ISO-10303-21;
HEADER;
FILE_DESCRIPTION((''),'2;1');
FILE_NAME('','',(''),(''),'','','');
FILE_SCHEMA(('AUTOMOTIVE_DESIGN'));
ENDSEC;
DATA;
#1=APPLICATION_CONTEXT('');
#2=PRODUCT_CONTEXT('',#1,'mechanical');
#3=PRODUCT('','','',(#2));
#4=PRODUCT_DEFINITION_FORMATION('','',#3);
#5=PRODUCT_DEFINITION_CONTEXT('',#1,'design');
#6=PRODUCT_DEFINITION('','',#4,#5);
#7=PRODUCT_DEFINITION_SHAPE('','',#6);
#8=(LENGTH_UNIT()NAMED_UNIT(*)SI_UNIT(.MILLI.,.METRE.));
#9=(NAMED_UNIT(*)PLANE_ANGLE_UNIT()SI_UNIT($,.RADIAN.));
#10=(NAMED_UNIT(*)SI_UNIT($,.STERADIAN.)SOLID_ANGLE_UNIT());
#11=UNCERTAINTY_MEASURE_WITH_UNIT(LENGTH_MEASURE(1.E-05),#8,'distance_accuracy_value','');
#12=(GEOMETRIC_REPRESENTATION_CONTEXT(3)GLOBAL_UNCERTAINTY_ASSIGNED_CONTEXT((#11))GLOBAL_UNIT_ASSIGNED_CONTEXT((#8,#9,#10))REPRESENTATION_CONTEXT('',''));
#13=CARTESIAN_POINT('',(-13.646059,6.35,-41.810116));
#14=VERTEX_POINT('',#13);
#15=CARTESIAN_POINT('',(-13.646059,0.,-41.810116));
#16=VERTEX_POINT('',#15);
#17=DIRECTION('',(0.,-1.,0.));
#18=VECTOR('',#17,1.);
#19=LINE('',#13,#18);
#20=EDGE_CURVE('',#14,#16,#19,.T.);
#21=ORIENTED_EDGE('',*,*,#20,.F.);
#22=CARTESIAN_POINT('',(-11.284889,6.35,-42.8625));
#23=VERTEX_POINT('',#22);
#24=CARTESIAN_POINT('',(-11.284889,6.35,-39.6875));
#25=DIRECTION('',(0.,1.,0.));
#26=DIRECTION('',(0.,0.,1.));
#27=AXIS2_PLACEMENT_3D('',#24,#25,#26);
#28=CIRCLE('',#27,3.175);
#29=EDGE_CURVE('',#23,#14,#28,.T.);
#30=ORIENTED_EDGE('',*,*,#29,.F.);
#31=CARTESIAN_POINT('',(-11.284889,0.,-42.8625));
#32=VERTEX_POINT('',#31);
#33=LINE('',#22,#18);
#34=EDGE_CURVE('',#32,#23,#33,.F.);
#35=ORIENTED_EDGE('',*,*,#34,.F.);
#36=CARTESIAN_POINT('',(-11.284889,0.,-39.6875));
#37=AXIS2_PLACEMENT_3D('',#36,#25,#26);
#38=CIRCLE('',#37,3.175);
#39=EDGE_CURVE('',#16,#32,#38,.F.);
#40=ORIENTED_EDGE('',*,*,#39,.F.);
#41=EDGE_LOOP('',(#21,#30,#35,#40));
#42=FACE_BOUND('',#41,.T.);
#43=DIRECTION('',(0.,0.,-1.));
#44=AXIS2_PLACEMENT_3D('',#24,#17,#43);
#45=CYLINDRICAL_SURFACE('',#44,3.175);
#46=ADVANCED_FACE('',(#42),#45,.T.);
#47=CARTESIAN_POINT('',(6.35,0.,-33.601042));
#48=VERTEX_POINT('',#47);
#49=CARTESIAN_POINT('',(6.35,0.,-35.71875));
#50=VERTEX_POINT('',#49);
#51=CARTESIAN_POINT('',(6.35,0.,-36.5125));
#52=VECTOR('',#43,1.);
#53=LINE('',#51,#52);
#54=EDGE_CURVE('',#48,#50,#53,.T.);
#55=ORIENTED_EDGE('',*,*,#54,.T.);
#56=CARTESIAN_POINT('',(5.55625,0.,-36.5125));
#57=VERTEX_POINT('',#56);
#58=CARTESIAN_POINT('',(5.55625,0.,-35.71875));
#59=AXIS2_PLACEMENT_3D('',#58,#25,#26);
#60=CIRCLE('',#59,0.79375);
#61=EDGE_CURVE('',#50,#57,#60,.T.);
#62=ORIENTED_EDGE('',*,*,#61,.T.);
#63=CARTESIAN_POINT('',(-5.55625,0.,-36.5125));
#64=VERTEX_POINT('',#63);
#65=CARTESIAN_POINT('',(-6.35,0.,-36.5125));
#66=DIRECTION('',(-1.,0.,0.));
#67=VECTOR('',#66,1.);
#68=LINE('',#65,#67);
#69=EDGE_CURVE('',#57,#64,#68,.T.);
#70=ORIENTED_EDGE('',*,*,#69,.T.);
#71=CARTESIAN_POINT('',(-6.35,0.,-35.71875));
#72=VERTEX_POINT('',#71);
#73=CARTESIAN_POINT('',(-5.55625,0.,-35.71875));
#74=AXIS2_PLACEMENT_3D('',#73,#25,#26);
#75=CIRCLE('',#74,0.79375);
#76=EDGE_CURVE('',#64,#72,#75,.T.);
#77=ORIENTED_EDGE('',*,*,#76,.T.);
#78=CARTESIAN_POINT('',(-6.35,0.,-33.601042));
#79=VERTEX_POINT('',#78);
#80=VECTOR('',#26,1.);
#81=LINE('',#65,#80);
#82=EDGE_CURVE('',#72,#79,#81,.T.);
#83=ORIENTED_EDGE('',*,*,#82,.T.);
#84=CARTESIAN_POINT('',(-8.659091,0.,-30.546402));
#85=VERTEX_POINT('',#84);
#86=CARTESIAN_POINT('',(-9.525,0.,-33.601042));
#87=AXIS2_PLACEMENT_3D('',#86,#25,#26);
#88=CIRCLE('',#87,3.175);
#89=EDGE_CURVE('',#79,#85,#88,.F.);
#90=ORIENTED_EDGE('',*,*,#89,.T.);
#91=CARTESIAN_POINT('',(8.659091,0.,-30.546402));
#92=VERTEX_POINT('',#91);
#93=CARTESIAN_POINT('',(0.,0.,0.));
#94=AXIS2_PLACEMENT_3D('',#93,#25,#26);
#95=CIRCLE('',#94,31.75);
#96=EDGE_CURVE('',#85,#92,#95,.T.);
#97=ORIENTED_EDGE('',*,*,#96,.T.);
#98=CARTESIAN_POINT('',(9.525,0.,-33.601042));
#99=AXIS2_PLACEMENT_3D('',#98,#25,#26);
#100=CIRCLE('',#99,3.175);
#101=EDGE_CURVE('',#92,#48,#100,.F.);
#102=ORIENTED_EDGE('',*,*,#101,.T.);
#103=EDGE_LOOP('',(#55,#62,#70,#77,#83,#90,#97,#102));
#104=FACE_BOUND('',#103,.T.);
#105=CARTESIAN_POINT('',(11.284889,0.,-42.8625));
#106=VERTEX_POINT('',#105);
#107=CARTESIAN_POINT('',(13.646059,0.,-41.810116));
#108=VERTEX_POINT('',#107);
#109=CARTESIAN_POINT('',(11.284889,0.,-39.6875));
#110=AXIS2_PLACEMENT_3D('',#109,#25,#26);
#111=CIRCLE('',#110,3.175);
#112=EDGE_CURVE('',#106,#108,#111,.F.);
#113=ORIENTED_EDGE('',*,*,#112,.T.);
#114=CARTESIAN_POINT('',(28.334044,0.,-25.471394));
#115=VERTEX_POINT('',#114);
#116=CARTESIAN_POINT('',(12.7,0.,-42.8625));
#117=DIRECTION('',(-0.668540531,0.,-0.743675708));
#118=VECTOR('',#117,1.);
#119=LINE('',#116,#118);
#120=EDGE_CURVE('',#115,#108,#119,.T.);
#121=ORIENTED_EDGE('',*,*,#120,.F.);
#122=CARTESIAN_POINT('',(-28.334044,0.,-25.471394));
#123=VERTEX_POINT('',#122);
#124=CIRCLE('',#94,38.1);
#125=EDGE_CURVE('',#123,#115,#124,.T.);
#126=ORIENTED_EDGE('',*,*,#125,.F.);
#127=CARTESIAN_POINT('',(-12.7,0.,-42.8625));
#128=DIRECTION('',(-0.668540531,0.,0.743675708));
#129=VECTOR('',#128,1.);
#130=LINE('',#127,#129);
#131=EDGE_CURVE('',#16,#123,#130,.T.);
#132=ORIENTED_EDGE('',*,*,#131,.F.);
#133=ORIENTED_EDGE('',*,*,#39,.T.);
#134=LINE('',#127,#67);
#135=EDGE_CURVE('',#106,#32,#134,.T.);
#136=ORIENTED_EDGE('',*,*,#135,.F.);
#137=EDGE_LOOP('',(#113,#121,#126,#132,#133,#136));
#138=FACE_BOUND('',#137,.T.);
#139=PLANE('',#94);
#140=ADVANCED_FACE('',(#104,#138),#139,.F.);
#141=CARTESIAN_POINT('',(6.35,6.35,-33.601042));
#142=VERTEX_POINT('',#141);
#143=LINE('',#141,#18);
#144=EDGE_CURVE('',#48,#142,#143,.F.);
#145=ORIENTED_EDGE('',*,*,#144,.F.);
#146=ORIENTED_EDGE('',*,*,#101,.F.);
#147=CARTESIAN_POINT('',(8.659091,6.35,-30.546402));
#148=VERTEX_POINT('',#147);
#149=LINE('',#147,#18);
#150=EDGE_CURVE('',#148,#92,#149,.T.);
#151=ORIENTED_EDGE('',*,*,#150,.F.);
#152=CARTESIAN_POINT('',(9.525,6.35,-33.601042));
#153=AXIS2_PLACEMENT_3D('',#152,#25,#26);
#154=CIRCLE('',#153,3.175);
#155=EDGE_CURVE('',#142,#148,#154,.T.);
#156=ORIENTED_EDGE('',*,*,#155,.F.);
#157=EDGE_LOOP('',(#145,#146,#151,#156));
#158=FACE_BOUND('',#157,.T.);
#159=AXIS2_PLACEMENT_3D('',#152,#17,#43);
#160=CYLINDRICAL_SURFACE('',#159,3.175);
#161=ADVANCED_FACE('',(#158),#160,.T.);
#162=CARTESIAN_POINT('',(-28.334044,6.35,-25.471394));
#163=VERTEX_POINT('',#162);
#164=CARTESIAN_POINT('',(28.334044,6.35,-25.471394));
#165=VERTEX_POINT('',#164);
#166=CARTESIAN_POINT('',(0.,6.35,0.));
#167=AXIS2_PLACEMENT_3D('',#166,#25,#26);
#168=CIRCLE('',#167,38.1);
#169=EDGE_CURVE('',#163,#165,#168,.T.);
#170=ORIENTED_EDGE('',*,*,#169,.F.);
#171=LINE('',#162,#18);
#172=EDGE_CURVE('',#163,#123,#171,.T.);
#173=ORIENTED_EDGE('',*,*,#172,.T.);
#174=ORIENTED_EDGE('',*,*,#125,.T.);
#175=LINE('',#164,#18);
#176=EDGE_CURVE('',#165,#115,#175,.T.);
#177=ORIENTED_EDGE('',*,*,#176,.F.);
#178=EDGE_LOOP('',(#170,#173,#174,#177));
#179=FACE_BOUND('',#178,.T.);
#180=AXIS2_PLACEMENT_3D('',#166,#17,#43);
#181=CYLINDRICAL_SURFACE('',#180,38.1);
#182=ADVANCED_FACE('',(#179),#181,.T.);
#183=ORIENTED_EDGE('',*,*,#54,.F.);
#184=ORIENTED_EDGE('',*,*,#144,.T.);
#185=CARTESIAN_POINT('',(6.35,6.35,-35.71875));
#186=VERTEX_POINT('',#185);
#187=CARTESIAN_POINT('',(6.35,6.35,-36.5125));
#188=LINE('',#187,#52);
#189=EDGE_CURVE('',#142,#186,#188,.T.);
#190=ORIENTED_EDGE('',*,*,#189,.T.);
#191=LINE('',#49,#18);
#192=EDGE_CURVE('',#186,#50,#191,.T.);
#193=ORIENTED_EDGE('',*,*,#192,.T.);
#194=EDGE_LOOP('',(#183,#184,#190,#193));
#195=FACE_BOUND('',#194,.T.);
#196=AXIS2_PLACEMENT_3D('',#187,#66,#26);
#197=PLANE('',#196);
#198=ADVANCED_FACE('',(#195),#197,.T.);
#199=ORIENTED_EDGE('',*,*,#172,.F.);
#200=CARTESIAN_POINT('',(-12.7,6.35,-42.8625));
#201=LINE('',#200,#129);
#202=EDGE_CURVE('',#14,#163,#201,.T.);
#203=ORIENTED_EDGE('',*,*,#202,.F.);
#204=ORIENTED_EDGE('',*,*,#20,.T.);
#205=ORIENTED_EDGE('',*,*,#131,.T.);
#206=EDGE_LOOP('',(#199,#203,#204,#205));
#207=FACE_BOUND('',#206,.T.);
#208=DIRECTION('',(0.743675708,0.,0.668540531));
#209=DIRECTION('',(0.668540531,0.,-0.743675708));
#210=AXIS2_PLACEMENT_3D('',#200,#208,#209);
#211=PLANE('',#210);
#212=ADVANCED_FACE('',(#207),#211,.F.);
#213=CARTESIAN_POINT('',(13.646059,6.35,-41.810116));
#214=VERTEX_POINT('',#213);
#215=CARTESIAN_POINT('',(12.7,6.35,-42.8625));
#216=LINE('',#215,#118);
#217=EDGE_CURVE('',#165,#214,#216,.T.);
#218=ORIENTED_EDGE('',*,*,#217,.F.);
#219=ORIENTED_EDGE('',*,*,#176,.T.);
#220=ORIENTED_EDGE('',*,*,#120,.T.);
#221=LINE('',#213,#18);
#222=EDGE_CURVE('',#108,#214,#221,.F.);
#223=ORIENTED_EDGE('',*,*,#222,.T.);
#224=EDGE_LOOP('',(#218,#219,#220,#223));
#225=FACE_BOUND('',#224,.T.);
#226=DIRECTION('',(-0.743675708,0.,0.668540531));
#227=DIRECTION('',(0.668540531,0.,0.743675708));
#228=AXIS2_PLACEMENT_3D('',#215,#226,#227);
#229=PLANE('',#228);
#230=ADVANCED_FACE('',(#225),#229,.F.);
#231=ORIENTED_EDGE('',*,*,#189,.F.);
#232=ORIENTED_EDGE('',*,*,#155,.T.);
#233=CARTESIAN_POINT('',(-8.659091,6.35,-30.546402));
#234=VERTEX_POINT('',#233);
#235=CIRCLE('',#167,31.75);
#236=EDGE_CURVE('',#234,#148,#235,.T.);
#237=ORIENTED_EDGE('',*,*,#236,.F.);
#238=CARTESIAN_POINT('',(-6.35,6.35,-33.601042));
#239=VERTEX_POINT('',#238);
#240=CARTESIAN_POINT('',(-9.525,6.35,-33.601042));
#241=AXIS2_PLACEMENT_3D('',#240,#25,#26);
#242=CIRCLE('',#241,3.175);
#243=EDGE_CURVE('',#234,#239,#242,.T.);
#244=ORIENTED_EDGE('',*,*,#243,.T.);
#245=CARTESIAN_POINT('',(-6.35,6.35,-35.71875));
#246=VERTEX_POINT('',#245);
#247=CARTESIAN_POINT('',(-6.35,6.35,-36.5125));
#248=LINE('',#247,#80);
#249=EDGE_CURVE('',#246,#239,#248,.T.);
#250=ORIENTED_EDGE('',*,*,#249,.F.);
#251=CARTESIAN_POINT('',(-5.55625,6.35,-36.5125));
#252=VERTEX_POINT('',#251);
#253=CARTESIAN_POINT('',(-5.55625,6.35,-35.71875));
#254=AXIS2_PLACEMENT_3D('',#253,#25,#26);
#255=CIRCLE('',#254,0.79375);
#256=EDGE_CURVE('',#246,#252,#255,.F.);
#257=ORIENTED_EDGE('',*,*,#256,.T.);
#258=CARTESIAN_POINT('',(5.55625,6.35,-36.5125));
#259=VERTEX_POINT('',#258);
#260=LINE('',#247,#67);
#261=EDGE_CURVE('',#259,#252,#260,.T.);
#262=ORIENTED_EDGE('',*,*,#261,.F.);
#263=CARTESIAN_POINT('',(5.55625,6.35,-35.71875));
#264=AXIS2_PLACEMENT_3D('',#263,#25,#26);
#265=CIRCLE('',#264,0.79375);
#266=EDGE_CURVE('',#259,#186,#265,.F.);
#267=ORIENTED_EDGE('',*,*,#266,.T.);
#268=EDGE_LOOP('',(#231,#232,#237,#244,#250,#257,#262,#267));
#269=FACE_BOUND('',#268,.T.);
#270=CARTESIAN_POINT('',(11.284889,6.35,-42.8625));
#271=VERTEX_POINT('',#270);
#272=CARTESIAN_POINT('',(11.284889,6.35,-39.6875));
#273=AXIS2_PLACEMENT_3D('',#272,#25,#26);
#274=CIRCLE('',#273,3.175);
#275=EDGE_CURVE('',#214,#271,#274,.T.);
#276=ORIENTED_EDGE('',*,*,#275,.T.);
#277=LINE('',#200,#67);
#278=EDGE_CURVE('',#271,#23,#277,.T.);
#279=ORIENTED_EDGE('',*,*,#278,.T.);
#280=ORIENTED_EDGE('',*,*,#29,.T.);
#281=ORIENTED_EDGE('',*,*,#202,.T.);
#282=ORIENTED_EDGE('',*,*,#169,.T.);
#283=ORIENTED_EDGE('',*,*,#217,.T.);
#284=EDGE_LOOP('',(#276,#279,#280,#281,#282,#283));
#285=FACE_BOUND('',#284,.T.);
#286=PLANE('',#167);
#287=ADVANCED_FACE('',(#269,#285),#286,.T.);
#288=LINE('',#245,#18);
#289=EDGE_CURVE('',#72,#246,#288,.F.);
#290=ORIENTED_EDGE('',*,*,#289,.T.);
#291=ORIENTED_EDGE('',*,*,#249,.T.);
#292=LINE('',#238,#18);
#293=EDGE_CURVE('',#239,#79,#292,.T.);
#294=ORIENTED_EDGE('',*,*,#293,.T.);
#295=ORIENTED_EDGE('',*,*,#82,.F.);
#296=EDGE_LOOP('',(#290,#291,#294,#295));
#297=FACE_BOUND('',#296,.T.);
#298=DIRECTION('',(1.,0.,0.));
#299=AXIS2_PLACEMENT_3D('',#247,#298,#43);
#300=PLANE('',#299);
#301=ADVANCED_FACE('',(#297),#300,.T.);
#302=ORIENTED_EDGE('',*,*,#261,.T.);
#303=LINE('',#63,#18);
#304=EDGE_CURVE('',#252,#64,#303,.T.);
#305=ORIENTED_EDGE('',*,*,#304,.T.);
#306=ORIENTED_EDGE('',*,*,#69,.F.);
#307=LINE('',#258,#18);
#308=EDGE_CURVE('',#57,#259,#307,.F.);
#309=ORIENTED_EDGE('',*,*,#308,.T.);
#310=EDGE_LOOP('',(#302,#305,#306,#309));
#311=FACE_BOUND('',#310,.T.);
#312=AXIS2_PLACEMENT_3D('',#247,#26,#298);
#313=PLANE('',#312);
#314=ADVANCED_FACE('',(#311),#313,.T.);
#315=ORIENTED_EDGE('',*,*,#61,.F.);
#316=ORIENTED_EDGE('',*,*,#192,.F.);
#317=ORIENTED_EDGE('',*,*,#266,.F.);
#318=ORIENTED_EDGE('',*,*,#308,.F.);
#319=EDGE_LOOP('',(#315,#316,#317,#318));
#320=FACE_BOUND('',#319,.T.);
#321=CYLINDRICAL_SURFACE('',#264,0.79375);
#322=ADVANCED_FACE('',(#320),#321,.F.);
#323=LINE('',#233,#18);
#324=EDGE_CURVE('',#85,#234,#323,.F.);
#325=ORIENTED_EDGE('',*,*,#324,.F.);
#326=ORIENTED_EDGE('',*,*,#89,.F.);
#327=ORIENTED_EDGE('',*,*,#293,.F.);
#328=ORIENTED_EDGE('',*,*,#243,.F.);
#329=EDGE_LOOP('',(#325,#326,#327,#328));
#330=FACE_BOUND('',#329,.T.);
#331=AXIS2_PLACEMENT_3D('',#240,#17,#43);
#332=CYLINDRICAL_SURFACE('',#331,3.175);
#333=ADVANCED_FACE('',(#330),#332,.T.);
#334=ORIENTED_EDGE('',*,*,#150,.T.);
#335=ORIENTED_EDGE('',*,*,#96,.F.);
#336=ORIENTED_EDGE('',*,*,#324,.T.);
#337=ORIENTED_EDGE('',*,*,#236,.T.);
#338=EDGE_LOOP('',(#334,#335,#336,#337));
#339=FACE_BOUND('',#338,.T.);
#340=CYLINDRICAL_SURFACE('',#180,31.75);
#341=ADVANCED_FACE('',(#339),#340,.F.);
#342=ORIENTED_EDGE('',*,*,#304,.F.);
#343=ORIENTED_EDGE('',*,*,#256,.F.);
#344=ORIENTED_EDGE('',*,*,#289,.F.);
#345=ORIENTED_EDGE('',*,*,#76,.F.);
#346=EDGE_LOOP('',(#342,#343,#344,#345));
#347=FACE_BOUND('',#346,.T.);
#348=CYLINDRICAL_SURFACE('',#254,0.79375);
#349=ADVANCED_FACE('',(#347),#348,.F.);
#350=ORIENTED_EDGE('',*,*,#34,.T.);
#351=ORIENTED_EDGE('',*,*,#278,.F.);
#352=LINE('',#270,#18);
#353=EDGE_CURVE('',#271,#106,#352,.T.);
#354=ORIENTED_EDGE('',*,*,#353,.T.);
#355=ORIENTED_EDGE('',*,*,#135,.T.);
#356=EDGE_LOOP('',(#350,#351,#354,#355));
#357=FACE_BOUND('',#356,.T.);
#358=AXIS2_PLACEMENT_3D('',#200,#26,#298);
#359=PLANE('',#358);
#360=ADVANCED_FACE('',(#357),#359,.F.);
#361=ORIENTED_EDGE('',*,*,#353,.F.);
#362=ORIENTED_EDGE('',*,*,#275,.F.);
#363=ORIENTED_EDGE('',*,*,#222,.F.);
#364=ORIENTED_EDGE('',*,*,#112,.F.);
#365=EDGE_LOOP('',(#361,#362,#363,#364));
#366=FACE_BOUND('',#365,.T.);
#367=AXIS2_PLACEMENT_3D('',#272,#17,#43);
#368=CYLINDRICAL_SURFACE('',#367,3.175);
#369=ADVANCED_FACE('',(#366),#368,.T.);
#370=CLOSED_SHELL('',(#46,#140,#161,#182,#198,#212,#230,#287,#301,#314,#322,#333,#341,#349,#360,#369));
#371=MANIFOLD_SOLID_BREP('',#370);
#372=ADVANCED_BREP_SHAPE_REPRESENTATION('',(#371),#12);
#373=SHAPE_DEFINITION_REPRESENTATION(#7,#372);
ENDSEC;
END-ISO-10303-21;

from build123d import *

# Parameters (mm, degrees)
BOSS_EXTRUDE1_DEPTH = 6.35
FILLET1_R           = 0.79375
FILLET3_R           = 3.175


with BuildPart() as part:
    # Sketch1 → Boss-Extrude1 (new body)
    with BuildSketch(Plane(origin=(0, 0, 0), x_dir=(1, 0, 0), z_dir=(0, 1, 0))):
        with BuildLine():
            Line((-12.7, 42.8625), (-28.334044467, 25.471394232))
            ThreePointArc((-28.334044467, 25.471394232), (0, -38.1), (28.334044467, 25.471394232))
            Line((28.334044467, 25.471394232), (12.7, 42.8625))
            Line((12.7, 42.8625), (-12.7, 42.8625))
        make_face()
        with BuildLine():
            Line((-6.35, 36.5125), (6.35, 36.5125))
            Line((6.35, 36.5125), (6.35, 31.108519733))
            ThreePointArc((6.35, 31.108519733), (0, -31.75), (-6.35, 31.108519733))
            Line((-6.35, 31.108519733), (-6.35, 36.5125))
        make_face(mode=Mode.SUBTRACT)
    extrude(amount=BOSS_EXTRUDE1_DEPTH)

    # Fillet1
    fillet1_edges = [part.edges().sort_by_distance(p)[0] for p in [
        (-6.35, 3.175, -36.5125),
        (6.35, 3.175, -36.5125),
    ]]
    fillet(fillet1_edges, radius=FILLET1_R)

    # Fillet3
    fillet3_edges = [part.edges().sort_by_distance(p)[0] for p in [
        (-6.35, 3.175, -31.108519733),
        (6.35, 3.175, -31.108519733),
        (-12.7, 3.175, -42.8625),
        (12.7, 3.175, -42.8625),
    ]]
    fillet(fillet3_edges, radius=FILLET3_R)


solid = part.part
